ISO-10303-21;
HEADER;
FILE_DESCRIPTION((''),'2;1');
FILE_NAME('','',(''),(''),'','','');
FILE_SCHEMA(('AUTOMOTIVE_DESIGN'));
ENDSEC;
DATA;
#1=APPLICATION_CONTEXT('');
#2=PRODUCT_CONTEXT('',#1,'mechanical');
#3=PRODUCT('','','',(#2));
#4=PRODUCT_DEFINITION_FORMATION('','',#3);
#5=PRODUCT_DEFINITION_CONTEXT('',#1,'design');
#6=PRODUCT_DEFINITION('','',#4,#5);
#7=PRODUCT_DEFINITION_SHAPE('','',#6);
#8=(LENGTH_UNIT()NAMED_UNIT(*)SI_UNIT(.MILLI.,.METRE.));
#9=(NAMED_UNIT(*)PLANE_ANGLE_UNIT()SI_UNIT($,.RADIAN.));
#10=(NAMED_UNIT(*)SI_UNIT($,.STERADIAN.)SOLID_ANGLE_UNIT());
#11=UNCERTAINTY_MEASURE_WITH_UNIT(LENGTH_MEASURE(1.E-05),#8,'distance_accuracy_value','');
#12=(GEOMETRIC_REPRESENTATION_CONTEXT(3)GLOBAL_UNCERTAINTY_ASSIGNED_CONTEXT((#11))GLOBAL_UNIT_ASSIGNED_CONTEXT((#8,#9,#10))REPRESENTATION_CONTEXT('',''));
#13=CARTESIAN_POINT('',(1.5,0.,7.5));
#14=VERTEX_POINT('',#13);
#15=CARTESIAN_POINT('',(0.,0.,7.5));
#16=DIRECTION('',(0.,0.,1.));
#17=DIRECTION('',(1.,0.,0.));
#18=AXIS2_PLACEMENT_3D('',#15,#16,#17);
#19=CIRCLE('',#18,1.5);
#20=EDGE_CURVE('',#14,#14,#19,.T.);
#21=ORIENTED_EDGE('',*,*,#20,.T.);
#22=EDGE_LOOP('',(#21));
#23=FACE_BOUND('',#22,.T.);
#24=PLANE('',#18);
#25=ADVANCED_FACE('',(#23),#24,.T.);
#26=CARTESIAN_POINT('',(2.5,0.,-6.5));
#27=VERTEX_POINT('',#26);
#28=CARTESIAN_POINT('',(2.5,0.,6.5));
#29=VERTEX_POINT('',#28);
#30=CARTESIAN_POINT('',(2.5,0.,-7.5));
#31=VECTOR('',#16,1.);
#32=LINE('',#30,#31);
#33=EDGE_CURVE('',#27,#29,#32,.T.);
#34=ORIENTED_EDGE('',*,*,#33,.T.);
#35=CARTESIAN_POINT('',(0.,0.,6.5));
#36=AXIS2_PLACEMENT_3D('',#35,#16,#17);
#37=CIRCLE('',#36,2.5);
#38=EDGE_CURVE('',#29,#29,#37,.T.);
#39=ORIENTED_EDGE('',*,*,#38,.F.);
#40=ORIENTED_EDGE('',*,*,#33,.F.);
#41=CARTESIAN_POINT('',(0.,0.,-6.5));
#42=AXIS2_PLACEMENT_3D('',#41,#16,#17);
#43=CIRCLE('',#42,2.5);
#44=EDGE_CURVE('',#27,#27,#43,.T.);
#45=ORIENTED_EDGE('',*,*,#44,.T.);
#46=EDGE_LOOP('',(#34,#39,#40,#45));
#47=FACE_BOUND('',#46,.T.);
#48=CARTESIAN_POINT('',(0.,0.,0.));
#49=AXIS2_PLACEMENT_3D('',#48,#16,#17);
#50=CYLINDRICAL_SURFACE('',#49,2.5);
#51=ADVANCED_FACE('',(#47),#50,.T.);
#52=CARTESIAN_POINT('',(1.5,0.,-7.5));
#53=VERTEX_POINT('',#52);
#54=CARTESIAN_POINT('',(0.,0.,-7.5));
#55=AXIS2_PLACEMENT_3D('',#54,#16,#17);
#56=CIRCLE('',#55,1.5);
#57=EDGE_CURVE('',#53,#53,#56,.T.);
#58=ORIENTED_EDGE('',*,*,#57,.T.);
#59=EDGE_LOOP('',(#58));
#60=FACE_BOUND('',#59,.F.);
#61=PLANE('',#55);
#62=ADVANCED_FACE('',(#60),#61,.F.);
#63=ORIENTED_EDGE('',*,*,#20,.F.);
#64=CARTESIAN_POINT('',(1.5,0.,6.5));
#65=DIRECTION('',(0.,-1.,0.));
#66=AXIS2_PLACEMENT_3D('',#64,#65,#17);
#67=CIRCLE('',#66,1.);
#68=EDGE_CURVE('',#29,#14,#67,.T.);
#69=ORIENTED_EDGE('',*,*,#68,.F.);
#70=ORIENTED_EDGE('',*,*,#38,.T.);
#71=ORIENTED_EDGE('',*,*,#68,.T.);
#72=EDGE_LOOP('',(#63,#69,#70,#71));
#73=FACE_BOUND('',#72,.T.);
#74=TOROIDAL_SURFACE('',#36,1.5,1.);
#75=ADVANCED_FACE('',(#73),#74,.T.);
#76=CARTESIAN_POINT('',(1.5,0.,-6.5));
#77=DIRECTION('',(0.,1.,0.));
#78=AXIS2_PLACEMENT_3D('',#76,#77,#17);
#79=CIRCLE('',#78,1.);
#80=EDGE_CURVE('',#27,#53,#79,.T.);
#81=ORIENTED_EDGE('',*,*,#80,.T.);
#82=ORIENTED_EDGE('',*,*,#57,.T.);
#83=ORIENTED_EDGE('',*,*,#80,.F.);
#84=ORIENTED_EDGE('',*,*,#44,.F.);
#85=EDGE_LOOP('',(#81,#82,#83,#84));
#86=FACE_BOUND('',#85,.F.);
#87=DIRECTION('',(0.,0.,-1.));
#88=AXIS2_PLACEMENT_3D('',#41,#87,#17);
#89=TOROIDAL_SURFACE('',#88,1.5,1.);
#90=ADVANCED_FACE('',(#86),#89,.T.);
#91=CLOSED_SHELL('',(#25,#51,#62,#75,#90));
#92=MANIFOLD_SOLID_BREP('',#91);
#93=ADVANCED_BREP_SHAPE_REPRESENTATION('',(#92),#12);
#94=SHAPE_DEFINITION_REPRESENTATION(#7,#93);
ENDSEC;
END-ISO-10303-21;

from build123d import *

# Parameters (mm, degrees)
F0_R     = 2.5
F1_DEPTH = 7.5
F2_R     = 1


with BuildPart() as f1:
    # F0 (on Top) → F1 (new body, symmetric)
    with BuildSketch(Plane.XY):
        Circle(F0_R)
    extrude(amount=F1_DEPTH, both=True)

    # F2
    f2_edges = [f1.edges().sort_by_distance(p)[0] for p in [
        (-2.5, 0, -7.5),
        (2.5, 0, 0),
        (-2.5, 0, 7.5),
    ]]
    fillet(f2_edges, radius=F2_R)


solid = f1.part
